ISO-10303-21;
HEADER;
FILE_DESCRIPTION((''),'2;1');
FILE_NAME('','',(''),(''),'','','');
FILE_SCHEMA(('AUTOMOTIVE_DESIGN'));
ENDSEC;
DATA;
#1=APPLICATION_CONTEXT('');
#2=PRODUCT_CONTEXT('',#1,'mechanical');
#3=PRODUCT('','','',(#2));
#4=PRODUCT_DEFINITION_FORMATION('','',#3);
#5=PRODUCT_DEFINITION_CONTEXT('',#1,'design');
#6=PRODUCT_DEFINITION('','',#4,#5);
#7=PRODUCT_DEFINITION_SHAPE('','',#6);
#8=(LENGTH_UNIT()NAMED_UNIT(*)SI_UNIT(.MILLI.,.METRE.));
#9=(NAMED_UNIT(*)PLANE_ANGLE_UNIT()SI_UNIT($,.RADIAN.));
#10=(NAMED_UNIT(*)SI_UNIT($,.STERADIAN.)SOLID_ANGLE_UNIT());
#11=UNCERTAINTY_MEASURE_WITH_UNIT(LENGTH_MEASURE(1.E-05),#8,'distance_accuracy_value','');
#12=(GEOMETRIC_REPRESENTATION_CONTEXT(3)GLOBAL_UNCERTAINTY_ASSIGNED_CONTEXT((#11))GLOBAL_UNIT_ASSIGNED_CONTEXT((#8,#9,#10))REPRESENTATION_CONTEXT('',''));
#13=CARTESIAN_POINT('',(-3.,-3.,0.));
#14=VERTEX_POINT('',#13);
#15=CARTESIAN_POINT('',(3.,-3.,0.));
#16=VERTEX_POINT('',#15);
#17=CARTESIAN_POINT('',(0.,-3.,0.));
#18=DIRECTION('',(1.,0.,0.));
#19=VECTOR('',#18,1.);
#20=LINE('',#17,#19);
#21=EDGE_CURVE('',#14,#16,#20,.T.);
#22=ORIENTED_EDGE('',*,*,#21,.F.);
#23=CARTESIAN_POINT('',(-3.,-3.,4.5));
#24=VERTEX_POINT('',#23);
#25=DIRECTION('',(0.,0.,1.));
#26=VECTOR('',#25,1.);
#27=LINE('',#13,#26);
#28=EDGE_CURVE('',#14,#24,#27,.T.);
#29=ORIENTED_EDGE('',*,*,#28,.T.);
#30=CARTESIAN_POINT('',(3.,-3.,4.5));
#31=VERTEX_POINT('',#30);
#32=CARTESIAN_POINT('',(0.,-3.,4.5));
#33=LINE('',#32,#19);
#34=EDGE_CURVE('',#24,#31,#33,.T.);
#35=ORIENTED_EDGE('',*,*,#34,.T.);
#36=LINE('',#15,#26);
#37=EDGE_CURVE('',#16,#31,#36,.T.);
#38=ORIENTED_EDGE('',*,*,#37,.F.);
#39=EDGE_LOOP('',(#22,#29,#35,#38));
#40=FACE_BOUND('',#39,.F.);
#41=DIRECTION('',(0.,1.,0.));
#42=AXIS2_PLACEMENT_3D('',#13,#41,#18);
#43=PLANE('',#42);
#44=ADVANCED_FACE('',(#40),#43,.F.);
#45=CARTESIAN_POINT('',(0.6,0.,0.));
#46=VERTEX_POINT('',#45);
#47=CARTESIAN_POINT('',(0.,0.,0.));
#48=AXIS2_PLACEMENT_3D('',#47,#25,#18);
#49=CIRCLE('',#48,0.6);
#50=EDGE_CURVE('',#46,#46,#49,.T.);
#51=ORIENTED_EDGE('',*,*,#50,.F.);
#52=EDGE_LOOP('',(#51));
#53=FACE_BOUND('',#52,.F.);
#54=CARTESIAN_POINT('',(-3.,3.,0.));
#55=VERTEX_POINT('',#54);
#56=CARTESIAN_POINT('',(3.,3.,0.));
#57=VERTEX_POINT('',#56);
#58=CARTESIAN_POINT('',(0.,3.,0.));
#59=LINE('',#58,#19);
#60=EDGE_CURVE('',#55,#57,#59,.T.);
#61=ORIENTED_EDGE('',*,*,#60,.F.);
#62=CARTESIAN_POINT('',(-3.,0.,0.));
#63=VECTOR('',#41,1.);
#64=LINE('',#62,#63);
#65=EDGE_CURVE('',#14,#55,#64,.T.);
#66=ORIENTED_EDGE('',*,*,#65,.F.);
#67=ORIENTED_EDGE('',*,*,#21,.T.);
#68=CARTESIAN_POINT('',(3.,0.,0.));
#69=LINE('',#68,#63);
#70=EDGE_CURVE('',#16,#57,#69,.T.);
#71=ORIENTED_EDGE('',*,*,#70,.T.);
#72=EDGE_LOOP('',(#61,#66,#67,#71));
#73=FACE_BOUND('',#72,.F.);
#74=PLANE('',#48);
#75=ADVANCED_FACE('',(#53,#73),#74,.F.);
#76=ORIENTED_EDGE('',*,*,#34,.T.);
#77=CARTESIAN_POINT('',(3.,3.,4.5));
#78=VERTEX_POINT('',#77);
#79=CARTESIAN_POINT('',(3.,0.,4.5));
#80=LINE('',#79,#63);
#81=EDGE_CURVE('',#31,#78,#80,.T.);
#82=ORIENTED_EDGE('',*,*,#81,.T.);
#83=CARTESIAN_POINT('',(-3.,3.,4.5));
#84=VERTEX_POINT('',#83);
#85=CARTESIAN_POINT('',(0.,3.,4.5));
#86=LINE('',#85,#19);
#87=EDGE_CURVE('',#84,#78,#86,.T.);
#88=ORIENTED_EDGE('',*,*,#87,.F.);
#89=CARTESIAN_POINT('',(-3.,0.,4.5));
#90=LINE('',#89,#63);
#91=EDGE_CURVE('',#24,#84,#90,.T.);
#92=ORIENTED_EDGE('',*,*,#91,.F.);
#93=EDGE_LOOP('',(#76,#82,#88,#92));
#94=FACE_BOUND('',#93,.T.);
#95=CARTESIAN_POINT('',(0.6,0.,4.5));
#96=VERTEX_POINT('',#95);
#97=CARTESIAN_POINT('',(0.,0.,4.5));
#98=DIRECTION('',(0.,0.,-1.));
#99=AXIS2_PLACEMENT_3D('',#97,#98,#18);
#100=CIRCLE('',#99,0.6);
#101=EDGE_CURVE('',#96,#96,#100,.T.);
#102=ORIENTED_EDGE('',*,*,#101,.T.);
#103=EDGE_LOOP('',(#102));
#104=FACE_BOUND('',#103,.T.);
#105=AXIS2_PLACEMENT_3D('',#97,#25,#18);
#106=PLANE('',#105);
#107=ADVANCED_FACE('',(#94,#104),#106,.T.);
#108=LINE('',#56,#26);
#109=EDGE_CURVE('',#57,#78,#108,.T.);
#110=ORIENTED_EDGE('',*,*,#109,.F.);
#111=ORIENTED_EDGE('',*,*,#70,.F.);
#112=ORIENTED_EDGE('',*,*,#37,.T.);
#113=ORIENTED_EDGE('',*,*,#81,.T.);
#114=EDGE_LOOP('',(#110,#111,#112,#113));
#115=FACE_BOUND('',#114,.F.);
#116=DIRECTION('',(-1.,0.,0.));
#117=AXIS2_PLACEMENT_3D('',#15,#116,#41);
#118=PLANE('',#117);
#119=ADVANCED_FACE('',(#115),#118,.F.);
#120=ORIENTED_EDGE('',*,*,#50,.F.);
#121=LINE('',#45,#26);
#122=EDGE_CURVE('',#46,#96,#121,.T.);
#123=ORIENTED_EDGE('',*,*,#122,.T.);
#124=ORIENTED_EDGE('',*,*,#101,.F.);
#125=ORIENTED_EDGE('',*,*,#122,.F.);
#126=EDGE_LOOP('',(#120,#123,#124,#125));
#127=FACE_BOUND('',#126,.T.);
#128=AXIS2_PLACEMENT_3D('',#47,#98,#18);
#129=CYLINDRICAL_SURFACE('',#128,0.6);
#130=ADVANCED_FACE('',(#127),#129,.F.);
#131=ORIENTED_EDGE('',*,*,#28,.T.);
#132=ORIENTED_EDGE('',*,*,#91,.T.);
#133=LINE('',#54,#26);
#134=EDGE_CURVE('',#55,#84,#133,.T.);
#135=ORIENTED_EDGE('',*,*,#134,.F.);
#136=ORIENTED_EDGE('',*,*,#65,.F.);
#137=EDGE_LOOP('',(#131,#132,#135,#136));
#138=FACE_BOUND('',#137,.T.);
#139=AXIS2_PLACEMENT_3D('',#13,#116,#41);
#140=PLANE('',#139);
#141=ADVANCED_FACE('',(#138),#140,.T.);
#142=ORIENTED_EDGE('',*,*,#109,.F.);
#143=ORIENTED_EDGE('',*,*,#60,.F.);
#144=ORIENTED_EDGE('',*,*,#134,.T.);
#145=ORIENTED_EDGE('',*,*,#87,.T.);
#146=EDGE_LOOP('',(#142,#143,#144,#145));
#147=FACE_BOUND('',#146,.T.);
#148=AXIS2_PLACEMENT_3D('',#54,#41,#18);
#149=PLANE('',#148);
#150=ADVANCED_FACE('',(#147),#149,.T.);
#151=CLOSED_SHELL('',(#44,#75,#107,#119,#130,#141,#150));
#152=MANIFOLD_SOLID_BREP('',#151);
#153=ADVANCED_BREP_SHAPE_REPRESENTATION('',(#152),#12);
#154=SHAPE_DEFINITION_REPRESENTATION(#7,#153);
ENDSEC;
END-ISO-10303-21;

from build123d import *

# Parameters (mm, degrees)
CYLINDER_R     = 0.6
CYLINDER_DEPTH = 10
BOX008_W       = 6
BOX008_H       = 6
BOX008_DEPTH   = 4.5


with BuildPart() as hole:
    # Cylinder → Cylinder (new body)
    with BuildSketch(Plane.XY):
        Circle(CYLINDER_R)
    extrude(amount=CYLINDER_DEPTH)


with BuildPart() as stand_hole_cut:
    # Box008 → Box008 (new body)
    with BuildSketch(Plane(origin=(-3, -3, 0), x_dir=(1, 0, 0), z_dir=(0, 0, 1))):
        with Locations((3, 3)):
            Rectangle(BOX008_W, BOX008_H)
    extrude(amount=BOX008_DEPTH)

    # Cut003002: cut hole
    add(hole.part, mode=Mode.SUBTRACT)


solid = stand_hole_cut.part
